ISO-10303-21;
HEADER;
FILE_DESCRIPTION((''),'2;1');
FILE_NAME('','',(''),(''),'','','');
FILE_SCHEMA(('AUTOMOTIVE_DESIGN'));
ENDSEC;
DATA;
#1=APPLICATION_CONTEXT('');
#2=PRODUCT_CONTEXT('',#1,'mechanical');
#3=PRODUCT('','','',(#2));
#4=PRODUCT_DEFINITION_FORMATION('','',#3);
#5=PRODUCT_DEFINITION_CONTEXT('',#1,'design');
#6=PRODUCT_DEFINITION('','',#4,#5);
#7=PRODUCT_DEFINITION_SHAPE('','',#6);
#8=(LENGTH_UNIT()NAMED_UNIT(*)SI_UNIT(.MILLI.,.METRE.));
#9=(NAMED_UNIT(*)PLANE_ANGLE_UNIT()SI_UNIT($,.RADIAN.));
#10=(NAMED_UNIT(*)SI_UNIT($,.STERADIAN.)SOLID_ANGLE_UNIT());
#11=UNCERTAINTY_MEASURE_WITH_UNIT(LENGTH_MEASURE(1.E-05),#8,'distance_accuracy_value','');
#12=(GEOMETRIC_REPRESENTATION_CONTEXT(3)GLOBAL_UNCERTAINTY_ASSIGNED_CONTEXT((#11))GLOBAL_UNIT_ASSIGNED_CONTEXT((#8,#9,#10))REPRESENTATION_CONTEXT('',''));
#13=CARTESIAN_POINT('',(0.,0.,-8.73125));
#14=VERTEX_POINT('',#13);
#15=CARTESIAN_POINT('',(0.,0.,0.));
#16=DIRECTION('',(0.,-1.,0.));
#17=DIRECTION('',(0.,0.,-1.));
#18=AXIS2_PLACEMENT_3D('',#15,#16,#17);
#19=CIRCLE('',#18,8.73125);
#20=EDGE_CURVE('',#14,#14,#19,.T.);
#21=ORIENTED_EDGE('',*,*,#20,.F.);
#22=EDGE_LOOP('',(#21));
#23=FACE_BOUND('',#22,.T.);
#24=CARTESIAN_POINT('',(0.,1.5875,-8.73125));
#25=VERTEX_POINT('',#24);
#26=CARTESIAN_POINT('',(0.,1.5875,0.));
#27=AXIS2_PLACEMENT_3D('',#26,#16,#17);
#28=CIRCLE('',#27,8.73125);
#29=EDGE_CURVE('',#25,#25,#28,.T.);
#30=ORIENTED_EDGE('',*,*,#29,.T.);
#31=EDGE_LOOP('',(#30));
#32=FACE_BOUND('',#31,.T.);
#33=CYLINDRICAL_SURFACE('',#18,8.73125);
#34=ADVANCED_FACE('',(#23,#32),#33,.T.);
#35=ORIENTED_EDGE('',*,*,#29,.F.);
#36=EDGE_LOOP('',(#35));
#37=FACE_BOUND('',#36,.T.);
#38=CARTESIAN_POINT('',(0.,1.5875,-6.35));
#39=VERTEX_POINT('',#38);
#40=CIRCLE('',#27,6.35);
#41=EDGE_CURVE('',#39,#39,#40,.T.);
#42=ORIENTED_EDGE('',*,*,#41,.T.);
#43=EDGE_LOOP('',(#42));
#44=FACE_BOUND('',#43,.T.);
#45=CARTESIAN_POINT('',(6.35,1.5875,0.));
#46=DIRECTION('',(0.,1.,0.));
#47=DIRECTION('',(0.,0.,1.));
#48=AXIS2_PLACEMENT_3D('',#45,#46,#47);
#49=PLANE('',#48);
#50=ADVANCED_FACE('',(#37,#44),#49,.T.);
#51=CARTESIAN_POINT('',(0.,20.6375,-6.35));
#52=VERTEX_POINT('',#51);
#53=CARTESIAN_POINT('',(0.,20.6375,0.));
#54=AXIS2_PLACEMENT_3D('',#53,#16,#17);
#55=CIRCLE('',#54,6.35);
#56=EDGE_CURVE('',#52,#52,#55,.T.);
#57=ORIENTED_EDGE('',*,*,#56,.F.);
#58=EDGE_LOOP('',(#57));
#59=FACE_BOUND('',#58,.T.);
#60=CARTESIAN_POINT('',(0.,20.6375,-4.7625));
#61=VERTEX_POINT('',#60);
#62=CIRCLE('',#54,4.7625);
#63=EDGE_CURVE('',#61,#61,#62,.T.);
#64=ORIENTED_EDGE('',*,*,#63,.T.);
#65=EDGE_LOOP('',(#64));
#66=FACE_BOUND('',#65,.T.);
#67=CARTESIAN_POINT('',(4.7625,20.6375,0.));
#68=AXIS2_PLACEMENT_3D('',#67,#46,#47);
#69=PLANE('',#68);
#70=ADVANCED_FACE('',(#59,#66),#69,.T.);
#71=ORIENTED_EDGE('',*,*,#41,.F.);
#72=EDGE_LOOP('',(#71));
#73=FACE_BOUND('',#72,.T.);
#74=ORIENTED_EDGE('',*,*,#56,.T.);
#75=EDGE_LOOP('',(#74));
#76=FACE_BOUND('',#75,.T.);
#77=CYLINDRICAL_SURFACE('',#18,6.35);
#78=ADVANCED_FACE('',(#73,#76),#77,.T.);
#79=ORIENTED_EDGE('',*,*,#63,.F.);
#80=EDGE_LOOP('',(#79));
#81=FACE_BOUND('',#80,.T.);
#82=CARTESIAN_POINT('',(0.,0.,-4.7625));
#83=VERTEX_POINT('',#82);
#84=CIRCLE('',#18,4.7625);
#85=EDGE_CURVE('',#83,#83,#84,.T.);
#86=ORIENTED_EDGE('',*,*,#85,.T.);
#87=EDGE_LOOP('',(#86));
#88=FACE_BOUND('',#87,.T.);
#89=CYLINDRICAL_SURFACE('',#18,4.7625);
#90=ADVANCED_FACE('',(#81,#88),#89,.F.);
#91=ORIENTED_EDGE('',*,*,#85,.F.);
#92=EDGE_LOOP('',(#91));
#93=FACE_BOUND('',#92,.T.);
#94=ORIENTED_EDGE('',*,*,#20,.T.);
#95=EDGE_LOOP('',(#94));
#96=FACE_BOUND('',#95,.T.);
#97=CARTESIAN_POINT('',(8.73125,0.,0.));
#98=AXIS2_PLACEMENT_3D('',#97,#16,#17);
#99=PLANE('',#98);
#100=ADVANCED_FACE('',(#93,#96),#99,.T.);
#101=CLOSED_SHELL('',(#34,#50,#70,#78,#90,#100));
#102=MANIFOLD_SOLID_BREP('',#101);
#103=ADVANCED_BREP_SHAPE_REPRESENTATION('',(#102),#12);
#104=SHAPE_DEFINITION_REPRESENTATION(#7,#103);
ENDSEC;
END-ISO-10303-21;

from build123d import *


with BuildPart() as part:
    # Sketch1 → Revolve1 (revolve)
    with BuildSketch(Plane.XY, mode=Mode.PRIVATE) as revolve1_sk:
        Polygon((4.7625, 0), (4.7625, 20.6375), (6.35, 20.6375), (6.35, 1.5875), (8.73125, 1.5875), (8.73125, 0), align=None)
    revolve(revolve1_sk.sketch.rotate(Axis((0, 0, 0), (0, 1, 0)), 90), axis=Axis((0, 0, 0), (0, 1, 0)))


solid = part.part
